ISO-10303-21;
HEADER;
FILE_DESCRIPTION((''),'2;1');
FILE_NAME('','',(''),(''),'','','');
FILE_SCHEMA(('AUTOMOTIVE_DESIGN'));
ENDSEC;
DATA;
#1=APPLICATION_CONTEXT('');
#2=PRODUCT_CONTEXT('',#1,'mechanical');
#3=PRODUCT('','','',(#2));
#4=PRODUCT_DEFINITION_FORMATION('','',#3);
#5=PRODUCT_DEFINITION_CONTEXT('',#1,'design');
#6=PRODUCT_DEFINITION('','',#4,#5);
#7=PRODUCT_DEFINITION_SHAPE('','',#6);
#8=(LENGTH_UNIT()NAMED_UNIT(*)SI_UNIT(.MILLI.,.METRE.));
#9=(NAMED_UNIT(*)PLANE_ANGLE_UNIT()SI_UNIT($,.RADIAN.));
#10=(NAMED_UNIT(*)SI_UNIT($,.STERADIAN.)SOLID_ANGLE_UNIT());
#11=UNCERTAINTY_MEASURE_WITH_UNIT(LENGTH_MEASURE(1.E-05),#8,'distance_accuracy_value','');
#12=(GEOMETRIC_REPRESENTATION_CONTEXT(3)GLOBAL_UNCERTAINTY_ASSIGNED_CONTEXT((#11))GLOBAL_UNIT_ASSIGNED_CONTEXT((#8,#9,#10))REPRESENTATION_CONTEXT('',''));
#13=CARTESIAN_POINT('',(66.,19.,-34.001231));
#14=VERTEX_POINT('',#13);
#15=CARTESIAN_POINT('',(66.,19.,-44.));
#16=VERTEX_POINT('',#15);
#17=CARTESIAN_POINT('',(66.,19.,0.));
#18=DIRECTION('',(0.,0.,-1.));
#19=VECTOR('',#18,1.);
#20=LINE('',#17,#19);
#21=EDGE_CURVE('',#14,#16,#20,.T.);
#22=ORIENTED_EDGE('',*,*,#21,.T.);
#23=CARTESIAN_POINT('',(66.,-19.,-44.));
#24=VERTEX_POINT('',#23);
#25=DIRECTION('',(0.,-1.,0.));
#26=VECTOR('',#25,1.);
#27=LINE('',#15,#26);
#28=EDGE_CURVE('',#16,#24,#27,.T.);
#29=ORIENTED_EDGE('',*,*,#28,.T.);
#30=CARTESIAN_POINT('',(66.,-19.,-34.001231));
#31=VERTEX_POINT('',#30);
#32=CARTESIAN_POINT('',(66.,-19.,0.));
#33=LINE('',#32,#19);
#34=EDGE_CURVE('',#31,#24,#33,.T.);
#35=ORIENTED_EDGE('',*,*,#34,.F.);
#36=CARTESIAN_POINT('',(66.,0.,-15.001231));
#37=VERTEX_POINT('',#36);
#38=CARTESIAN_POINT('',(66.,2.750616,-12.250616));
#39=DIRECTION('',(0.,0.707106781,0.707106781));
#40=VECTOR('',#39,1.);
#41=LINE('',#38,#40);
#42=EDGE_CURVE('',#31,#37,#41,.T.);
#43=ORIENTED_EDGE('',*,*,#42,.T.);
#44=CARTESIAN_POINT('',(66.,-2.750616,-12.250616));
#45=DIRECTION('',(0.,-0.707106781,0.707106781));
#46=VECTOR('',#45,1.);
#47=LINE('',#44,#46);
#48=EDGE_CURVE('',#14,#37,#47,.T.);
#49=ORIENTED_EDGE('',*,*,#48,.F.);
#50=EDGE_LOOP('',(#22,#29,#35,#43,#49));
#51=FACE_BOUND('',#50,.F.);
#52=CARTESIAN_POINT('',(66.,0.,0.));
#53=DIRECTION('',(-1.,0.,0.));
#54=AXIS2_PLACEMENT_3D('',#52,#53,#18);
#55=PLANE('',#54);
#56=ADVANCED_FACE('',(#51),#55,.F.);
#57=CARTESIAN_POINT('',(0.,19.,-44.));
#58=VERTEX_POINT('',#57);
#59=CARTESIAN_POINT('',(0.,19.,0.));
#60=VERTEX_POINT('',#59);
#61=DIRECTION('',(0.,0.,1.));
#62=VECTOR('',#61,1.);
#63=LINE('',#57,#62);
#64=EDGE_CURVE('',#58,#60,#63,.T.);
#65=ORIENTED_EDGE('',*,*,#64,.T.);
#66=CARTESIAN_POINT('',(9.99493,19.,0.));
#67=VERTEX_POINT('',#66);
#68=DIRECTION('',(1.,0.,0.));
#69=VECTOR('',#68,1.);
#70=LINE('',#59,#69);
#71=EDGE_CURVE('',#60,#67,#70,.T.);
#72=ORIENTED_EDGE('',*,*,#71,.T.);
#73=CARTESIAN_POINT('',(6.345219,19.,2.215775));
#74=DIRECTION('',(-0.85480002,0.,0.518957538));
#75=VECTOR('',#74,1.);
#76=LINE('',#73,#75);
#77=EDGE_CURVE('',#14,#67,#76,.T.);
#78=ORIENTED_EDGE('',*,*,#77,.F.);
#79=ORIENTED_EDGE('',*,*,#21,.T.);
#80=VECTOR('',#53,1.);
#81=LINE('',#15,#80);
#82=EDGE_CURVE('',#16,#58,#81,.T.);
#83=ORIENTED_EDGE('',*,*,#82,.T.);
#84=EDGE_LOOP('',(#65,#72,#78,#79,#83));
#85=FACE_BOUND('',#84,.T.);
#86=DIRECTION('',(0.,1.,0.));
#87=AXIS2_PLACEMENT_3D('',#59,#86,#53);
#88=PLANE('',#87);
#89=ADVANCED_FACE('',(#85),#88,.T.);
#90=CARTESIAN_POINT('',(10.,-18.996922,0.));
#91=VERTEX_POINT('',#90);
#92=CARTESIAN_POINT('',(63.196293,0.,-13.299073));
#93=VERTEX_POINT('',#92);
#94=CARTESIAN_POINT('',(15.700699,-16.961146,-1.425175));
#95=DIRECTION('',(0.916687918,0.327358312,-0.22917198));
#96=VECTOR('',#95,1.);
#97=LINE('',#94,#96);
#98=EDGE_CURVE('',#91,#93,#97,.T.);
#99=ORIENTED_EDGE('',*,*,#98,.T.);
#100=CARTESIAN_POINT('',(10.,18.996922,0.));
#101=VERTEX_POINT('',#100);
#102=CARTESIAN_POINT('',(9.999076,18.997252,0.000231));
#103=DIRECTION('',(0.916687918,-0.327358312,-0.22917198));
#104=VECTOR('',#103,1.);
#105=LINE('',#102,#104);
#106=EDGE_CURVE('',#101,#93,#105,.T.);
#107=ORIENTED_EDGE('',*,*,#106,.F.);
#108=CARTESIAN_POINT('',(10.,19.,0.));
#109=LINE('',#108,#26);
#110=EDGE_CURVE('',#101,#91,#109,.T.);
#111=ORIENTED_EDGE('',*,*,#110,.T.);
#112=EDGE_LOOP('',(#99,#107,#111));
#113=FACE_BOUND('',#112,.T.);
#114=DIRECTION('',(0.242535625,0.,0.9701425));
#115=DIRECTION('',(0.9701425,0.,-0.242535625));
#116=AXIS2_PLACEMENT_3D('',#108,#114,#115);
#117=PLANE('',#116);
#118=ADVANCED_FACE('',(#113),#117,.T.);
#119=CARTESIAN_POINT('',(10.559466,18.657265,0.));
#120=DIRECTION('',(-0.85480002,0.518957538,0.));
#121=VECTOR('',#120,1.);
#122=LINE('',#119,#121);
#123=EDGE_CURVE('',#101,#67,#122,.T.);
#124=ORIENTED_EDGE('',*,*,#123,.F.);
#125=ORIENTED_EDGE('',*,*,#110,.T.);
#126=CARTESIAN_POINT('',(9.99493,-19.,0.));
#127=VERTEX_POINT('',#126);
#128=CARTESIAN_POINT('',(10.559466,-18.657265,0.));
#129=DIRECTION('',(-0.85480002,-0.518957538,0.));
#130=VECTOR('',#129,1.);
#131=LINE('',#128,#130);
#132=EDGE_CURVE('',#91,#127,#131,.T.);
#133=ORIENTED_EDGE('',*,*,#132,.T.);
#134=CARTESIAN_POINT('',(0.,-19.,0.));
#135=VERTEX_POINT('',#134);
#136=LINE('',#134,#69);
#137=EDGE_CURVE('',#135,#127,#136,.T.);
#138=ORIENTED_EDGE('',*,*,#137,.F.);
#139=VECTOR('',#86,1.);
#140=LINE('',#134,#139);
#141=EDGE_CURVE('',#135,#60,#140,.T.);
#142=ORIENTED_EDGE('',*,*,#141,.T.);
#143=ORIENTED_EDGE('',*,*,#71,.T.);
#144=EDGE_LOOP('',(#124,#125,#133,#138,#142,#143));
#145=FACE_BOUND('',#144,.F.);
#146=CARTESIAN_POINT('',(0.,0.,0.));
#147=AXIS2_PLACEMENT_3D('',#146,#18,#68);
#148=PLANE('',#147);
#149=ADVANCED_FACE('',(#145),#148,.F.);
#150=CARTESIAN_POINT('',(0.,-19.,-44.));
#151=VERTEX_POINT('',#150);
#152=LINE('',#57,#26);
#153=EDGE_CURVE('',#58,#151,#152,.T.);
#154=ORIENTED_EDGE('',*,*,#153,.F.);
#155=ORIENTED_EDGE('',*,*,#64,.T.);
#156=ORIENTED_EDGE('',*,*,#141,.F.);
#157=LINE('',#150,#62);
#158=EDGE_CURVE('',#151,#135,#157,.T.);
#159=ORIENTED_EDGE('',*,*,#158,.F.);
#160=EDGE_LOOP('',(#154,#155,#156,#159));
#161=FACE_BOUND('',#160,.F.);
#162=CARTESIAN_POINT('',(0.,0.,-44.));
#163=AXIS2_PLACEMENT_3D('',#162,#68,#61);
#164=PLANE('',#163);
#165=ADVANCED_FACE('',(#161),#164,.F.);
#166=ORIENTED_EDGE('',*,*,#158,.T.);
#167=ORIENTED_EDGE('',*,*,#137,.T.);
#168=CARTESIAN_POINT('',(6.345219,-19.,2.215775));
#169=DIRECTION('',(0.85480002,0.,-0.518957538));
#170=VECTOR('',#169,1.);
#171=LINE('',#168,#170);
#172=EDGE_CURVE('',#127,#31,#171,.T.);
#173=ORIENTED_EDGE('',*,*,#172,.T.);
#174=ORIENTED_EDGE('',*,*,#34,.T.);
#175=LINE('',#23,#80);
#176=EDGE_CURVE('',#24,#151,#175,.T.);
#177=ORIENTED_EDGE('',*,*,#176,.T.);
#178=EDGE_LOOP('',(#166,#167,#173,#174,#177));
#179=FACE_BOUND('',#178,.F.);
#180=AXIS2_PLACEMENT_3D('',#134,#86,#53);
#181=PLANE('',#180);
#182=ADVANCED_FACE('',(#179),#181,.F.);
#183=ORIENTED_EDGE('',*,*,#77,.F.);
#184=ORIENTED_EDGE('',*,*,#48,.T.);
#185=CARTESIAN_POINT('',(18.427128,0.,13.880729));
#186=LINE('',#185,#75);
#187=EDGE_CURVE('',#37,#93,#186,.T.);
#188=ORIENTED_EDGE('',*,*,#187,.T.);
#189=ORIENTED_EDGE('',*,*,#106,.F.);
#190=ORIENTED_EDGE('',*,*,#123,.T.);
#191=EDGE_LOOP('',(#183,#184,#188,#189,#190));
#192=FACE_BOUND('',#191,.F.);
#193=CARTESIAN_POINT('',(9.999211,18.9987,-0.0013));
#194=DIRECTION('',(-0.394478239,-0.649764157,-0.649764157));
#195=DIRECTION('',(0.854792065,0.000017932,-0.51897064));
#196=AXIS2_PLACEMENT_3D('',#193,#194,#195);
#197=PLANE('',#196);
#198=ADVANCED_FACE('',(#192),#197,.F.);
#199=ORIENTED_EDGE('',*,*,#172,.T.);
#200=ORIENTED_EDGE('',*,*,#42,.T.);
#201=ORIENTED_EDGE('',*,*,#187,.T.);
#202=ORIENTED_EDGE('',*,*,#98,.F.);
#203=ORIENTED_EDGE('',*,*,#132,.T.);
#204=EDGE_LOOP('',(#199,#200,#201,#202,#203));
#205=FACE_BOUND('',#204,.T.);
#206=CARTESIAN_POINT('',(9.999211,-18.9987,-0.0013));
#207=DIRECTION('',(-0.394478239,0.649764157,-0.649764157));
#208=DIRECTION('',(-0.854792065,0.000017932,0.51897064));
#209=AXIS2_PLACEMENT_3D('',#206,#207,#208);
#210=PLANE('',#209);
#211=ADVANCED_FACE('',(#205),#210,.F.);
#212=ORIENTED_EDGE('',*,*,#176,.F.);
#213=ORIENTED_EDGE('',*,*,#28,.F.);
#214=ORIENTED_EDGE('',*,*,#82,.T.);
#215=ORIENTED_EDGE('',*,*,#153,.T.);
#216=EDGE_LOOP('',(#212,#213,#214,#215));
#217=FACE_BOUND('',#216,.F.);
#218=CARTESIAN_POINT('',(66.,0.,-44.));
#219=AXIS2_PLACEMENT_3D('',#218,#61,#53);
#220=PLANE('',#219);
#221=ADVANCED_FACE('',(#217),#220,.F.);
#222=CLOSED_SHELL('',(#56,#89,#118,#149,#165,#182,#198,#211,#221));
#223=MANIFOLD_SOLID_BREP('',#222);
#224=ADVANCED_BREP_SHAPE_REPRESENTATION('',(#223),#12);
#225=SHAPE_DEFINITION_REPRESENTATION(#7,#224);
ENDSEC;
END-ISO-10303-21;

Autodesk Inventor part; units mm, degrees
ref_plane "YZ Plane" through (0, 0, 0) normal (1, 0, 0) x (0, 1, 0)
ref_plane "XZ Plane" through (0, 0, 0) normal (0, 1, 0) x (-1, 0, 0)
sketch "草圖1" plane through (0, 0, 0) normal (0, 1, 0) x (-1, 0, 0)
  line L0 (0, 0) -> (-66, 0)
  line L1 (-66, 0) -> (-66, -44)
  line L2 (-66, -44) -> (0, -44)
  line L3 (0, -44) -> (0, 0)
  dimension "d0" = 66
  dimension "d1" = 44
extrude "擠出1" add sketch "草圖1" along normal mid plane 38
sketch "草圖2" plane through (0, 19, 0) normal (0, 1, 0) x (1, 0, 0)
  line L0 (0, 0) -> (66, 0) projected
  line L1 (10, 0) -> (66, 14)
  line L2 (66, 0) -> (66, 44) projected
  dimension "d4" = 10
  dimension "d5" = 30
extrude "擠出2" cut sketch "草圖2" against normal blind 40
sketch "草圖3" plane through (66, -19, -44) normal (1, 0, 0) x (0, 0, -1)
  line L0 (-30, 18) -> (-10, 38)
  line L1 (0, 38) -> (-44, 38) projected
  line L2 (-30, 38) -> (-30, 0) projected
  point P0 (-44, 19)
  dimension "d8" = 20
  dimension "d9" = 20
ref_plane "工作平面1" through (10, 19, 0) normal (-0.3945, -0.6498, -0.6498) x (0.8548, 0, -0.519)
sketch "草圖4" plane through (10, 19, 0) normal (-0.3945, -0.6498, -0.6498) x (0.8548, 0, -0.519)
  line L0 (-15.1543, -12.3218) -> (93.717, -12.3218)
  line L1 (93.717, -12.3218) -> (93.717, 28.8166)
  line L2 (93.717, 28.8166) -> (-15.1543, 28.8166)
  line L3 (-15.1543, 28.8166) -> (-15.1543, -12.3218)
  point P0 (-8.5479, 11.0706)
extrude "擠出3" cut sketch "草圖4" against normal blind 40
mirror "鏡射1" about plane through (0, 0, 0) normal (0, 1, 0) of "擠出3"
properties part number "64"
